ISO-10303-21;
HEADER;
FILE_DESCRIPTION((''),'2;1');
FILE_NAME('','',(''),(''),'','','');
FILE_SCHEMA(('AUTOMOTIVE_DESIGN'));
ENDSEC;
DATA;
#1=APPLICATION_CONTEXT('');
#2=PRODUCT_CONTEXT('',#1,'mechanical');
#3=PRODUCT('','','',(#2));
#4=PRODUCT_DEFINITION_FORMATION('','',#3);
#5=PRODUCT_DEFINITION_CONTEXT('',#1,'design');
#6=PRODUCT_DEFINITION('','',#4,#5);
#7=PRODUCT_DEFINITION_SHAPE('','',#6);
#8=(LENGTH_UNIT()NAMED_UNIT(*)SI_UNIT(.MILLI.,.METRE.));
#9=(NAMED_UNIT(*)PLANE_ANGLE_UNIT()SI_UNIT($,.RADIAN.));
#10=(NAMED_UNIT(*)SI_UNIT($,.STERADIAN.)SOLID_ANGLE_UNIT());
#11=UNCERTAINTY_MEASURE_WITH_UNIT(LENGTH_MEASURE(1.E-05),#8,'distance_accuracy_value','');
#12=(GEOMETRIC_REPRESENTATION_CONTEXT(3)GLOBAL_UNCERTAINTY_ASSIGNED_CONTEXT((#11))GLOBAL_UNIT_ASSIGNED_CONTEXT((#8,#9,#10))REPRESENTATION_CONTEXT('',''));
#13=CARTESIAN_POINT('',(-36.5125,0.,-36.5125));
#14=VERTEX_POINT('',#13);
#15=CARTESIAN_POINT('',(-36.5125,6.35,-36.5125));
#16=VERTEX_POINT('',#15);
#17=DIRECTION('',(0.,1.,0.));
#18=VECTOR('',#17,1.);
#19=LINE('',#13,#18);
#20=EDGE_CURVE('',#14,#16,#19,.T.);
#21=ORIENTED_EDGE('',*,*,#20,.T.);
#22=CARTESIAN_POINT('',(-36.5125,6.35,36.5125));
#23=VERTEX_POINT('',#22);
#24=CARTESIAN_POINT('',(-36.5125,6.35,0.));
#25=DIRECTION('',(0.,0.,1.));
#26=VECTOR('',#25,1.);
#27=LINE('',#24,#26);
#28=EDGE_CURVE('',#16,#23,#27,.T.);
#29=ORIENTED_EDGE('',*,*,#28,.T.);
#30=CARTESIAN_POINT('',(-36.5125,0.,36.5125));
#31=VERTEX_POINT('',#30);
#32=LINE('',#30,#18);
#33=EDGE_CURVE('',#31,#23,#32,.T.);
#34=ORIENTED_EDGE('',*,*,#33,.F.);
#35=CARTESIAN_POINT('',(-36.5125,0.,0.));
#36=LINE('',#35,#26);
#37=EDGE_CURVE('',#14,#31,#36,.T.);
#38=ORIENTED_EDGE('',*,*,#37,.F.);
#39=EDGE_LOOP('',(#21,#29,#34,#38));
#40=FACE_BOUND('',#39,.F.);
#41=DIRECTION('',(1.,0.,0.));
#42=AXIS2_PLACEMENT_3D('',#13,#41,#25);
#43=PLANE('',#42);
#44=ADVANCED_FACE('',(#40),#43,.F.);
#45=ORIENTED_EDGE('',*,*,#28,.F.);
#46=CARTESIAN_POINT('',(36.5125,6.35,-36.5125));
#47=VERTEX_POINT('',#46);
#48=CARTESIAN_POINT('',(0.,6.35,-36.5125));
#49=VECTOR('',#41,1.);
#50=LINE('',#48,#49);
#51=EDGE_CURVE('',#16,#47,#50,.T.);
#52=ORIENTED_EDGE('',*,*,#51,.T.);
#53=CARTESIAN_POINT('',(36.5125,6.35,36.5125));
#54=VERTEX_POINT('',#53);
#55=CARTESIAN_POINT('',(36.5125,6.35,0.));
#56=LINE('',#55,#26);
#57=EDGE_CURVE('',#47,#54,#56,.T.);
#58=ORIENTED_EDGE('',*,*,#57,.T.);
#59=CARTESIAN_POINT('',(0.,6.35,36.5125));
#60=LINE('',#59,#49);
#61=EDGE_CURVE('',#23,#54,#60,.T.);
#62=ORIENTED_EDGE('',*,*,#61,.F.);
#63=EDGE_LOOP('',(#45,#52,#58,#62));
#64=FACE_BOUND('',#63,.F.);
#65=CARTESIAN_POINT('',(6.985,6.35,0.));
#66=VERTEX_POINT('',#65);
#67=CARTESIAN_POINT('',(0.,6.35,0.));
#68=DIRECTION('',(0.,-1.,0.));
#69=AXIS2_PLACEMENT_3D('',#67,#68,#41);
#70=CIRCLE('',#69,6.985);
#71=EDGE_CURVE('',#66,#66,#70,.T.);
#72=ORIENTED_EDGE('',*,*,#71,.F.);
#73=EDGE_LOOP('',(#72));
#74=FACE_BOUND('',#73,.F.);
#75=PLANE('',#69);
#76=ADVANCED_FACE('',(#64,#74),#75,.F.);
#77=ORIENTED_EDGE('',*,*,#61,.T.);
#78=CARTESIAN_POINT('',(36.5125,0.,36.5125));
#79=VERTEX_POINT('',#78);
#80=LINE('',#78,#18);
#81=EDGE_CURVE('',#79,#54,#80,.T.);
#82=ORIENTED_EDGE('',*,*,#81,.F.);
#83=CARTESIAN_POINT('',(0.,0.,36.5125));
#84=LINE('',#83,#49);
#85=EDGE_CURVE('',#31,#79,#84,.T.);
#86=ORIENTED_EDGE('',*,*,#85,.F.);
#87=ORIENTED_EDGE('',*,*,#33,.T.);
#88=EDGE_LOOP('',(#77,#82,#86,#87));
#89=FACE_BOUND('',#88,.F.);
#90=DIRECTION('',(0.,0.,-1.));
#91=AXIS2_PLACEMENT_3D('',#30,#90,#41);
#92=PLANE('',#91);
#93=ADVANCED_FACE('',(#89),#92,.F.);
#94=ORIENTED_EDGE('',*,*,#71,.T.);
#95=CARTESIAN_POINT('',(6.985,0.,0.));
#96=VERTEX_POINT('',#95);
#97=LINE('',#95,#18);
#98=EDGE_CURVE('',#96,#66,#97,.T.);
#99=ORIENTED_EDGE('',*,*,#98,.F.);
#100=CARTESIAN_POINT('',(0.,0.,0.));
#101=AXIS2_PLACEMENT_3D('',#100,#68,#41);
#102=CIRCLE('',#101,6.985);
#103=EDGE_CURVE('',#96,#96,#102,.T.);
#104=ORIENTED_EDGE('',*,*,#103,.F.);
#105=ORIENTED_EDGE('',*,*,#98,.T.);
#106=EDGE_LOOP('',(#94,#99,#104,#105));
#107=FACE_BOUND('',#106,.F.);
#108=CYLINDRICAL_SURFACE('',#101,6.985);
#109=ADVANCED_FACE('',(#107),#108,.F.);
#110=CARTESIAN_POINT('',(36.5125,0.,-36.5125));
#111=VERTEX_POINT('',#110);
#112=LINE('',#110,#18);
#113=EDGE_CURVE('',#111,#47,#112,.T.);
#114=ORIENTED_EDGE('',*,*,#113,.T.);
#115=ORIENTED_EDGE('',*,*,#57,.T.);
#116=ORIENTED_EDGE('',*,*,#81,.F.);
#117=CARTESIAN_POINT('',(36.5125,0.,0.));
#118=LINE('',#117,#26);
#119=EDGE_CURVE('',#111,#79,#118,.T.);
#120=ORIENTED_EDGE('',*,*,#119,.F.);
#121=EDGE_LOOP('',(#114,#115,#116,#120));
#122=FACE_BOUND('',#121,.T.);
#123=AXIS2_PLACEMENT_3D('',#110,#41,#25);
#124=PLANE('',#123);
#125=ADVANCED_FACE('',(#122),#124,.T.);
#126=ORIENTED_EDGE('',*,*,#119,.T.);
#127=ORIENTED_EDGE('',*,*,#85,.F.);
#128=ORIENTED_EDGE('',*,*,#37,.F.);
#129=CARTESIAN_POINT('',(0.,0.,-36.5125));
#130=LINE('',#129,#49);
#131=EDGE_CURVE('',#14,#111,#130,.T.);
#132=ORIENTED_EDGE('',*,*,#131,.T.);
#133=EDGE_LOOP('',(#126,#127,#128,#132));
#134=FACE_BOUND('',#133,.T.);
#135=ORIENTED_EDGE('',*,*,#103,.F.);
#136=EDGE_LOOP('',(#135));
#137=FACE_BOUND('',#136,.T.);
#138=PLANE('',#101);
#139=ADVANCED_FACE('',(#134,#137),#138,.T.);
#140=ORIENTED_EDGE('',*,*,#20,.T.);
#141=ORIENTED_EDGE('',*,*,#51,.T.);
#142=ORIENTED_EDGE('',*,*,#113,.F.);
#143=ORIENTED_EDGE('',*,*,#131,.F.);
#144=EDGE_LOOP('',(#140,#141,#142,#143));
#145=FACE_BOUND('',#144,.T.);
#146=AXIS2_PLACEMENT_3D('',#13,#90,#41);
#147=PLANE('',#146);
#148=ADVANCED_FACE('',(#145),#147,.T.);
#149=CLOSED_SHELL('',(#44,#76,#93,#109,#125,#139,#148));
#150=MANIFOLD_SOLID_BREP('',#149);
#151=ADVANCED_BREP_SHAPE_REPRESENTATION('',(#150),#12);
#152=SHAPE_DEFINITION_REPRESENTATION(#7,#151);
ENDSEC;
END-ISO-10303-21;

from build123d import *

# Parameters (mm, degrees)
F0_W     = 73.025
F0_H     = 73.025
F0_R     = 6.985
F1_DEPTH = 6.35


with BuildPart() as f1:
    # F0 (on Front) → F1 (new body)
    with BuildSketch(Plane.XZ):
        Rectangle(F0_W, F0_H)
        Circle(F0_R, mode=Mode.SUBTRACT)
    extrude(amount=-F1_DEPTH)


solid = f1.part
